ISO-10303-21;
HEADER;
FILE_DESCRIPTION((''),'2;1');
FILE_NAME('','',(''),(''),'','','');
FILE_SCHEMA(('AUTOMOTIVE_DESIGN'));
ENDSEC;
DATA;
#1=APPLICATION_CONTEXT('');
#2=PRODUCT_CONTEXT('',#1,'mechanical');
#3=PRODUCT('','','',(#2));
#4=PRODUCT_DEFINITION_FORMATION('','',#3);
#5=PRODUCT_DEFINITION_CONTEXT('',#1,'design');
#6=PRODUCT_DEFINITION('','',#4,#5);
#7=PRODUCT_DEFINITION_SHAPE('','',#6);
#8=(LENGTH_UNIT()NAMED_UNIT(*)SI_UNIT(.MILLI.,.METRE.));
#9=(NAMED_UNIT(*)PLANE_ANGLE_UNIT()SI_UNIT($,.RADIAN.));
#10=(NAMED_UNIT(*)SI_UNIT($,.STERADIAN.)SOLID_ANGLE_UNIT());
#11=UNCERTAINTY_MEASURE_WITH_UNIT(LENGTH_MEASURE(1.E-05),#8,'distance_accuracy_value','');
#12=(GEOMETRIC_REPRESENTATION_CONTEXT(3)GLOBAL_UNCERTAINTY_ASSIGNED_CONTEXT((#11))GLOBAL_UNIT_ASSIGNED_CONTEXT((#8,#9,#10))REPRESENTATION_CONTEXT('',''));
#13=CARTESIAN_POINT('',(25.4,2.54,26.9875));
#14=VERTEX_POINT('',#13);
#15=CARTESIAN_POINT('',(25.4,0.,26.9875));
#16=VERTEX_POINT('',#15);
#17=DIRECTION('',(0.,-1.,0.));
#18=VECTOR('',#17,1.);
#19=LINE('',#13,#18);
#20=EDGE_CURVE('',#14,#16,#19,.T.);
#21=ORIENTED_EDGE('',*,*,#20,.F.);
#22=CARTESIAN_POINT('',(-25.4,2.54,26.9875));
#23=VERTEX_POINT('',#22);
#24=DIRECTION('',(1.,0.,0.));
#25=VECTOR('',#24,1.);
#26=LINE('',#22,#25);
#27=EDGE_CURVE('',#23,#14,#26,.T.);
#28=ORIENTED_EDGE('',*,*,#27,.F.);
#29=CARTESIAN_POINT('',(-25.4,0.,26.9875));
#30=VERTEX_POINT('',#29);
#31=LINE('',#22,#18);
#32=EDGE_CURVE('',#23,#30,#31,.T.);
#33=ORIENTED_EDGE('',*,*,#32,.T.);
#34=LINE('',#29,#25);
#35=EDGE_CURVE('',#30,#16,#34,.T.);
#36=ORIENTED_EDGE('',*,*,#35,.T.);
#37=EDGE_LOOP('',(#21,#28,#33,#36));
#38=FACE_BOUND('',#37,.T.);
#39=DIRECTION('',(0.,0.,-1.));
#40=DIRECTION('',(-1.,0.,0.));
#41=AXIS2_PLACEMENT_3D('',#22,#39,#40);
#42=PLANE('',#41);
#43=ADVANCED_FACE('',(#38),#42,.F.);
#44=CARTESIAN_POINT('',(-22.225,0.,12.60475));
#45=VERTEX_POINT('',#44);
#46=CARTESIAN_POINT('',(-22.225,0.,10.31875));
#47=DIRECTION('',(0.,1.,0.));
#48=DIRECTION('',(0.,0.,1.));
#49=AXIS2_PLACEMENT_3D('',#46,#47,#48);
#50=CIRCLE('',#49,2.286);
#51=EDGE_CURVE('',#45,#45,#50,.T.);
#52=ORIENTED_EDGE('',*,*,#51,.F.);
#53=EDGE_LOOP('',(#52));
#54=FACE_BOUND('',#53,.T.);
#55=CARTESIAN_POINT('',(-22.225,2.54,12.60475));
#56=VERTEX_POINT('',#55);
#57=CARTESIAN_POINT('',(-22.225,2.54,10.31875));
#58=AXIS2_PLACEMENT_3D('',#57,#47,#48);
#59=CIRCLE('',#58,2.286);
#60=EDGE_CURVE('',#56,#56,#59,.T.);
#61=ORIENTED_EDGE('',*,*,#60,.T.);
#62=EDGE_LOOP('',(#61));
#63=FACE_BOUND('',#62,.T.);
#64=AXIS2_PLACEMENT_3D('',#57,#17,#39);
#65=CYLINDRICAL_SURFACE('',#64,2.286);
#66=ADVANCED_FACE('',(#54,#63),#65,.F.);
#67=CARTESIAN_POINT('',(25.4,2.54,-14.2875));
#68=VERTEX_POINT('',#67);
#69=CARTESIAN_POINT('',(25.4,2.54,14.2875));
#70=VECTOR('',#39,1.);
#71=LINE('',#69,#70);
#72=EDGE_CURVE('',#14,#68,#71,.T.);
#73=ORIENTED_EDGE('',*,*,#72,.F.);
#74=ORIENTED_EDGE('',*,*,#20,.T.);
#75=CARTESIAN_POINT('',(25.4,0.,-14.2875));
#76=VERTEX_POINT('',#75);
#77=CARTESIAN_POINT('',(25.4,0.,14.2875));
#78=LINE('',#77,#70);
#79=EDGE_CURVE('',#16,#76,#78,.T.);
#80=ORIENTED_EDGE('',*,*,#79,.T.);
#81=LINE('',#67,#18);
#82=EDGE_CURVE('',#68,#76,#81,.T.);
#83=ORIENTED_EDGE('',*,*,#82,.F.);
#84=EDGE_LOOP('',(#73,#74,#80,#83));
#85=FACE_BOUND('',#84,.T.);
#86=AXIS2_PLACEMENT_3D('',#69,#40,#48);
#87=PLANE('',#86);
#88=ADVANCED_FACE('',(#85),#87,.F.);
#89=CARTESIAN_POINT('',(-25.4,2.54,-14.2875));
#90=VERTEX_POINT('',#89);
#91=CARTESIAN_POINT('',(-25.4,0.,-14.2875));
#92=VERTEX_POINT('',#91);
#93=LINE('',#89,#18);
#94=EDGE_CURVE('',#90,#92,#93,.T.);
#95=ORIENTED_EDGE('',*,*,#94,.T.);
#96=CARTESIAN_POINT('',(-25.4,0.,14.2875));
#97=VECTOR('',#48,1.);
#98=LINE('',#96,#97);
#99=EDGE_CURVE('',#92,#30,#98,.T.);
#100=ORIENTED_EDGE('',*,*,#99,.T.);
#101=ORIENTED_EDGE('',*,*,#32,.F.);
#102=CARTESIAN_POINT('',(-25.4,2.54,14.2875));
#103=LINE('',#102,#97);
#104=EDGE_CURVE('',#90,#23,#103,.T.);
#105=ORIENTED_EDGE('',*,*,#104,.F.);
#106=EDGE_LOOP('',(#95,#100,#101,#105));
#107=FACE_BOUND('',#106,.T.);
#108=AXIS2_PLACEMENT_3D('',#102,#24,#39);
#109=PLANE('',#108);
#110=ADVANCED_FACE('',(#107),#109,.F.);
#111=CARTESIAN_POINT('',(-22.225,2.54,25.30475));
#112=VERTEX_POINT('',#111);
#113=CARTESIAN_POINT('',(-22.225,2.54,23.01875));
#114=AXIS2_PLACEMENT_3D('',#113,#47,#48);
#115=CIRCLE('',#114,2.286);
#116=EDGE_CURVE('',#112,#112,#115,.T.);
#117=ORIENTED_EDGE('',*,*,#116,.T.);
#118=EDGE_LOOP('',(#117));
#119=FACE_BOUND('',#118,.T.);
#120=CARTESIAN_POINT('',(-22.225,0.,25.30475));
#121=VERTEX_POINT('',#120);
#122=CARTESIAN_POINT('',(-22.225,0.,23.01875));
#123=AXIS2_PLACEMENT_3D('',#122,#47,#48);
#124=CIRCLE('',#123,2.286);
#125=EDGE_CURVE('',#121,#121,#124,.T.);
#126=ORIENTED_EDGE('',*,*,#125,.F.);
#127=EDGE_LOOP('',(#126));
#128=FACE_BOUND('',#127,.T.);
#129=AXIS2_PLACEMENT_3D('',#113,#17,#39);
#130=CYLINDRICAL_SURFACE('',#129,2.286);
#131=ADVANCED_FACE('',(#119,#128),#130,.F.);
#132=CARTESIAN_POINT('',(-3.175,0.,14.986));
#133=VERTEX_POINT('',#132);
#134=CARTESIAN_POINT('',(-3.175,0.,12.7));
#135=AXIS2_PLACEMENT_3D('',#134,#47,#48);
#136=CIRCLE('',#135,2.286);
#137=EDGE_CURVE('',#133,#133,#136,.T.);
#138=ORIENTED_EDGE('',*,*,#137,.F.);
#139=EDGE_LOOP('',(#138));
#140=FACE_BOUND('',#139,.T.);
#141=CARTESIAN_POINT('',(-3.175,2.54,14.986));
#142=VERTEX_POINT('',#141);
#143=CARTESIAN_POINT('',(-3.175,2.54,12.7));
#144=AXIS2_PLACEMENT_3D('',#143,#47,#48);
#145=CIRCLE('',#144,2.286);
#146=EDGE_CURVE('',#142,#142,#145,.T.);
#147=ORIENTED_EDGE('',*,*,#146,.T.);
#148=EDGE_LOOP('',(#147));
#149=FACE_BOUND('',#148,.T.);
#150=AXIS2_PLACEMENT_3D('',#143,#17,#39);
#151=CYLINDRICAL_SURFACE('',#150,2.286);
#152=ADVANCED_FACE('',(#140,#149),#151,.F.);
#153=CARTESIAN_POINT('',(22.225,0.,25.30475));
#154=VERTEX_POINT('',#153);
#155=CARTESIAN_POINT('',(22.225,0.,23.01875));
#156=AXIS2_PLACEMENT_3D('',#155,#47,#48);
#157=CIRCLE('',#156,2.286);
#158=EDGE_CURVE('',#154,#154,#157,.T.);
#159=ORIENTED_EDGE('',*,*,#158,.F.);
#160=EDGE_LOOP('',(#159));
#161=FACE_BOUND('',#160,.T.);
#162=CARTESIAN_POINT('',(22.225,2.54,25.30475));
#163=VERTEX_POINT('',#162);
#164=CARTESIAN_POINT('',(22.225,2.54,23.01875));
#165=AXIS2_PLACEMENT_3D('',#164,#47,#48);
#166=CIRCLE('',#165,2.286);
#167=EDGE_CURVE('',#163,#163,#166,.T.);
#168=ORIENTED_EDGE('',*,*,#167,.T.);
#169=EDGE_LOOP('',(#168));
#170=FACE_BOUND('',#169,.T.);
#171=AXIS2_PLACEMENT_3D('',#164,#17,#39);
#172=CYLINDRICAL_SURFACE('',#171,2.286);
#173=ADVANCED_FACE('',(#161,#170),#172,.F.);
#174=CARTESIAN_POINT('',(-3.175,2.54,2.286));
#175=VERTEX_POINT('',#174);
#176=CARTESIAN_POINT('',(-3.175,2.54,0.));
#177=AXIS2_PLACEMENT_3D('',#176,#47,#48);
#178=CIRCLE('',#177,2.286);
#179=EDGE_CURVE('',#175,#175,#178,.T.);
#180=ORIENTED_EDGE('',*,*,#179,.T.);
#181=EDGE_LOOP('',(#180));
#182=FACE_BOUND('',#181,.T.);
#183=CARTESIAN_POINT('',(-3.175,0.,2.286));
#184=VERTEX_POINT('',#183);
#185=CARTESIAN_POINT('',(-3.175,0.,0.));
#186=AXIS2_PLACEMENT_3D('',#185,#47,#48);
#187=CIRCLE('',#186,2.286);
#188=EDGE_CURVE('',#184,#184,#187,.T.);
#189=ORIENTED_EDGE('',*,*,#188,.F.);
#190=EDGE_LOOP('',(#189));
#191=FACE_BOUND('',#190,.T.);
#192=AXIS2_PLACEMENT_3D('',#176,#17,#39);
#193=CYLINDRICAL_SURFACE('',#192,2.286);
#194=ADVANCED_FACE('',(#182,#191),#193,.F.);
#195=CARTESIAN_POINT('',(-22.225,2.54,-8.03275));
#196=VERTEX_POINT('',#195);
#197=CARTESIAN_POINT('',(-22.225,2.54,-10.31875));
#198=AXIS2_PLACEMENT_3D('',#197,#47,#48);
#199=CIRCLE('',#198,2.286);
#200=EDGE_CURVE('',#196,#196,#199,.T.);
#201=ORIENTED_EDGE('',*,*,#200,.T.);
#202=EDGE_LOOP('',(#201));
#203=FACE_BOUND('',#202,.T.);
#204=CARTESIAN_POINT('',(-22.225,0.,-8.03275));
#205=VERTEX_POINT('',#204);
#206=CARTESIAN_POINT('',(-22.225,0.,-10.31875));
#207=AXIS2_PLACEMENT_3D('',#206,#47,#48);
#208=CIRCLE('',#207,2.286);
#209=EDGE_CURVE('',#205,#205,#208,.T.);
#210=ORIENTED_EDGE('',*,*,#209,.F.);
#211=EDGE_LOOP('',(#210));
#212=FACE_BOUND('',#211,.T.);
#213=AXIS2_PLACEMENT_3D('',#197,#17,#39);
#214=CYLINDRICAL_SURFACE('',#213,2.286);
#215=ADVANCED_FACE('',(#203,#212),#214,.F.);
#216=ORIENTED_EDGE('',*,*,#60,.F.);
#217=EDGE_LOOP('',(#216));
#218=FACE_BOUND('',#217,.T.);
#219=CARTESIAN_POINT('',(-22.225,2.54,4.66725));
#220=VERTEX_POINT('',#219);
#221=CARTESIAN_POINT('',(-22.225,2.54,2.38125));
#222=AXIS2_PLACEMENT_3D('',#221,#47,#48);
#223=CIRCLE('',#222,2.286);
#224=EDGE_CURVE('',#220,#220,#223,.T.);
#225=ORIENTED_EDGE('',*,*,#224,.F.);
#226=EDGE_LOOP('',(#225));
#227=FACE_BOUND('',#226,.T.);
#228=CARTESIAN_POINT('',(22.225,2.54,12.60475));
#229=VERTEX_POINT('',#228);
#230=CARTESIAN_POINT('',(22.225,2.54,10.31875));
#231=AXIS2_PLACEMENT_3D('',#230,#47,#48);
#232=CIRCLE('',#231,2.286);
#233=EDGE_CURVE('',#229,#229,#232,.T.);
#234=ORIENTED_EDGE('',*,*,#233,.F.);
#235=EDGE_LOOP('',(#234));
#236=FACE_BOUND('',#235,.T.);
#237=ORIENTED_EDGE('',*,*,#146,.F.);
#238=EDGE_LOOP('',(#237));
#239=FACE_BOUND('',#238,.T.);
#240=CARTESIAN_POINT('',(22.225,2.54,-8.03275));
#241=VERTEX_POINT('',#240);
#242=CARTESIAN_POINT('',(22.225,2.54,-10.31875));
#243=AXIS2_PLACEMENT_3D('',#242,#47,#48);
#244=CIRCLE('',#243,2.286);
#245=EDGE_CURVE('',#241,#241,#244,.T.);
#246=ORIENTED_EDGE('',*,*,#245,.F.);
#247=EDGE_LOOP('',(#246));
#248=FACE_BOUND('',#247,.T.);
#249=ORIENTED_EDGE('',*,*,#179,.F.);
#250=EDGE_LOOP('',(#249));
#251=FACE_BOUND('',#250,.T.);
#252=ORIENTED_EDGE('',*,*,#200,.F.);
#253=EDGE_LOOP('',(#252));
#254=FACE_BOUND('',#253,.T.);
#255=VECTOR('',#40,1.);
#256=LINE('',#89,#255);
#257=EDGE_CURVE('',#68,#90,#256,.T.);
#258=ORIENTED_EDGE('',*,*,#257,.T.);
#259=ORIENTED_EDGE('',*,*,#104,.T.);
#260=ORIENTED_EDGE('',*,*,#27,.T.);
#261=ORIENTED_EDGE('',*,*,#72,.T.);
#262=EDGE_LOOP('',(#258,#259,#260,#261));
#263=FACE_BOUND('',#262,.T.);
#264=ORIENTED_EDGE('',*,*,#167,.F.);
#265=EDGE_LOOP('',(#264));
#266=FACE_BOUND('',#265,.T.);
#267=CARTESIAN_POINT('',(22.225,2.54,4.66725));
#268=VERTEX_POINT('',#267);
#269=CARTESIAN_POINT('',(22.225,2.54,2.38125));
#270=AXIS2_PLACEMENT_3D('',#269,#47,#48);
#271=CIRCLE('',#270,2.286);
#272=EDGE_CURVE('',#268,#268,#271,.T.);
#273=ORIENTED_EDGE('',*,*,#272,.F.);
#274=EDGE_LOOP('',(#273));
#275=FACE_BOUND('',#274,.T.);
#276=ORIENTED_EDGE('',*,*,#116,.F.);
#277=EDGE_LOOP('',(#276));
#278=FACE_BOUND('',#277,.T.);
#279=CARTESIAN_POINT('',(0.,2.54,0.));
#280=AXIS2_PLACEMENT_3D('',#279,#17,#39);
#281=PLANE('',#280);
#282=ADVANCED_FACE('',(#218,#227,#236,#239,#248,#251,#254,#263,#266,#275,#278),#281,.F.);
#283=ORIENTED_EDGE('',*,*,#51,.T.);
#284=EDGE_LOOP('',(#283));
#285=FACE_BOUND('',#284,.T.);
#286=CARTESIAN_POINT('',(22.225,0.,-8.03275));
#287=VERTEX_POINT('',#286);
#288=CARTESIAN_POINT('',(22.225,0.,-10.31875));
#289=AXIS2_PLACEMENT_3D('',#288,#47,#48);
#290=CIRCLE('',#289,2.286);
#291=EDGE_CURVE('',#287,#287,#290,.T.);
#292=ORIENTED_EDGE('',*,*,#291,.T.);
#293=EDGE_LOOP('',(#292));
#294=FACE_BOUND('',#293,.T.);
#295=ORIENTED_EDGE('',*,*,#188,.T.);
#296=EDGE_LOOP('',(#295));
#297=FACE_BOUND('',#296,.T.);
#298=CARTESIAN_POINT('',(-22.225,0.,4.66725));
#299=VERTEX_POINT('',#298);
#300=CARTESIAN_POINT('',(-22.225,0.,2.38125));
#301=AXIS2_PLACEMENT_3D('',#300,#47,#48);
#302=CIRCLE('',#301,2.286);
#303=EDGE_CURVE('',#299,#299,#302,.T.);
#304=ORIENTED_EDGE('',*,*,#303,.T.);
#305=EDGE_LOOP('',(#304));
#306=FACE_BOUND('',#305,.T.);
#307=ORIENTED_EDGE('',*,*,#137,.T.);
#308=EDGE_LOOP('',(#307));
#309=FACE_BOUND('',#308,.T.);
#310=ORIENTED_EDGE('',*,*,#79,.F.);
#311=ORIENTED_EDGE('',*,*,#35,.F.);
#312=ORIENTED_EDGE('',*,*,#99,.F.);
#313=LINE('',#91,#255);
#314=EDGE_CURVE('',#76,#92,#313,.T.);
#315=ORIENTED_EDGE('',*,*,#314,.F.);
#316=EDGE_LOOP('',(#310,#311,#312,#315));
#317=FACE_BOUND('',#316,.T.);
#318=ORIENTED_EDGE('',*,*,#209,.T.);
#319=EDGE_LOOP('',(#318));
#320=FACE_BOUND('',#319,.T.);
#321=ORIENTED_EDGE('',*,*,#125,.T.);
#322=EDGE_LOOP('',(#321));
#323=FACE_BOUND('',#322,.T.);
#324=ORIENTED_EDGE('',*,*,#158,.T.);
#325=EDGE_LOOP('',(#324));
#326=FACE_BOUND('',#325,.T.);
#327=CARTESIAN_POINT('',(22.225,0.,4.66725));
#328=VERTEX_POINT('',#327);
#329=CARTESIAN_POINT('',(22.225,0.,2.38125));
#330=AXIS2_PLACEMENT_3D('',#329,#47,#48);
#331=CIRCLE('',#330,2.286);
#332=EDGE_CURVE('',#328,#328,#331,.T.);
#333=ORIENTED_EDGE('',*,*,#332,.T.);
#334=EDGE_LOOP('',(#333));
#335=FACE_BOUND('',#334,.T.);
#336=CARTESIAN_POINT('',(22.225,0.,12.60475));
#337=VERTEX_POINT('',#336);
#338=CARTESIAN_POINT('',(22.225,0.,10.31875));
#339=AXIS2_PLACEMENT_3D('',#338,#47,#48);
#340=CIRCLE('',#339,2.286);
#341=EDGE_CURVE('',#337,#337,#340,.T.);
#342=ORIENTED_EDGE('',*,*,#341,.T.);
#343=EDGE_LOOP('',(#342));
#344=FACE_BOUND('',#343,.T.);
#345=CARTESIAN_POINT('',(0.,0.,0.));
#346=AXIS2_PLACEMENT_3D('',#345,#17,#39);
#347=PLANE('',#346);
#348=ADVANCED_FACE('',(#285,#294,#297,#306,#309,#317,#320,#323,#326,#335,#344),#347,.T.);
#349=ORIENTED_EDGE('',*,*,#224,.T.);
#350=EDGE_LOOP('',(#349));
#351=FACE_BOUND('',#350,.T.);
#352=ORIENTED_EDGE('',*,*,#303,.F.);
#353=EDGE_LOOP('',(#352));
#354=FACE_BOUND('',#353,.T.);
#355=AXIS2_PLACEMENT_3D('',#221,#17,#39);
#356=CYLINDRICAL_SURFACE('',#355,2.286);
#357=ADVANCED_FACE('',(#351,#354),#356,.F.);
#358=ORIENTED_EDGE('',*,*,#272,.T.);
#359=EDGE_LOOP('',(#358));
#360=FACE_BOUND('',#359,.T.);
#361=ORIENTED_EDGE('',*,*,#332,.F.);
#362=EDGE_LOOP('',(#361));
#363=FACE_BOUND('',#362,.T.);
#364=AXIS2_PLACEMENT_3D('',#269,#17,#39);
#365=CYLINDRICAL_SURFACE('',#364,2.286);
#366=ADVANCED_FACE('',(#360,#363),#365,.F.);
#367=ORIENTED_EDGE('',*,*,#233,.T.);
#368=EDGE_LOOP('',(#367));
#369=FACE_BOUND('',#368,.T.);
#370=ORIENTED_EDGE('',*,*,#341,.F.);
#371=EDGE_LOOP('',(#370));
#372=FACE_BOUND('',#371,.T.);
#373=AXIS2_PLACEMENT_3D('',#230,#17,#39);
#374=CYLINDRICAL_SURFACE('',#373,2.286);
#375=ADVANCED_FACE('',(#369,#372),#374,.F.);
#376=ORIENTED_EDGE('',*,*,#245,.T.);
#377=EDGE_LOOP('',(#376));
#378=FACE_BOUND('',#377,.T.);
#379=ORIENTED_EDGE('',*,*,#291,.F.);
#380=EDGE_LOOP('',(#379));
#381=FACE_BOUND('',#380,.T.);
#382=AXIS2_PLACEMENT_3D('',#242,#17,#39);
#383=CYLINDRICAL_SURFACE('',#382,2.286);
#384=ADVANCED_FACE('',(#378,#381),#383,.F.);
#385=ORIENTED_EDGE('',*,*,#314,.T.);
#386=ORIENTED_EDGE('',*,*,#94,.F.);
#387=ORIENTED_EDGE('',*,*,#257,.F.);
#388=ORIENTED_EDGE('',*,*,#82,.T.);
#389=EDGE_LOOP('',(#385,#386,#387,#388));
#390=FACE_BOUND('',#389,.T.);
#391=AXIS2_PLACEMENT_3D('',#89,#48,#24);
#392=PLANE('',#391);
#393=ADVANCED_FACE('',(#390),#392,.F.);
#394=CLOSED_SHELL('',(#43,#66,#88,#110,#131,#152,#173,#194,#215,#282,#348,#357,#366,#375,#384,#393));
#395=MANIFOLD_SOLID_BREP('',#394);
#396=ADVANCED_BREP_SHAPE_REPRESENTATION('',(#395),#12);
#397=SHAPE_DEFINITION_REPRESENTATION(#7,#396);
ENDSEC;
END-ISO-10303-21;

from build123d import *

# Parameters (mm, degrees)
SKETCH1_R           = 2.286
BOSS_EXTRUDE1_DEPTH = 2.54


with BuildPart() as part:
    # Sketch1 → Boss-Extrude1 (new body)
    with BuildSketch(Plane(origin=(0, 0, 0), x_dir=(1, 0, 0), z_dir=(0, 1, 0))):
        Polygon((-25.4, -14.2875), (-25.4, -26.9875), (25.4, -26.9875), (25.4, -14.2875), (25.4, 14.2875), (-25.4, 14.2875), align=None)
        with Locations(Location((-22.225, 10.31875, 0), (0, 0, 270))):
            Circle(SKETCH1_R, mode=Mode.SUBTRACT)
        with Locations(Location((-22.225, -10.31875, 0), (0, 0, 270))):
            Circle(SKETCH1_R, mode=Mode.SUBTRACT)
        with Locations(Location((22.225, -10.31875, 0), (0, 0, 270))):
            Circle(SKETCH1_R, mode=Mode.SUBTRACT)
        with Locations(Location((22.225, 10.31875, 0), (0, 0, 270))):
            Circle(SKETCH1_R, mode=Mode.SUBTRACT)
        with Locations(Location((-22.225, -2.38125, 0), (0, 0, 270))):
            Circle(SKETCH1_R, mode=Mode.SUBTRACT)
        with Locations(Location((-22.225, -23.01875, 0), (0, 0, 270))):
            Circle(SKETCH1_R, mode=Mode.SUBTRACT)
        with Locations(Location((22.225, -23.01875, 0), (0, 0, 270))):
            Circle(SKETCH1_R, mode=Mode.SUBTRACT)
        with Locations(Location((22.225, -2.38125, 0), (0, 0, 270))):
            Circle(SKETCH1_R, mode=Mode.SUBTRACT)
        with Locations(Location((-3.175, 0, 0), (0, 0, 270))):
            Circle(SKETCH1_R, mode=Mode.SUBTRACT)
        with Locations(Location((-3.175, -12.7, 0), (0, 0, 270))):
            Circle(SKETCH1_R, mode=Mode.SUBTRACT)
    extrude(amount=BOSS_EXTRUDE1_DEPTH)


solid = part.part
